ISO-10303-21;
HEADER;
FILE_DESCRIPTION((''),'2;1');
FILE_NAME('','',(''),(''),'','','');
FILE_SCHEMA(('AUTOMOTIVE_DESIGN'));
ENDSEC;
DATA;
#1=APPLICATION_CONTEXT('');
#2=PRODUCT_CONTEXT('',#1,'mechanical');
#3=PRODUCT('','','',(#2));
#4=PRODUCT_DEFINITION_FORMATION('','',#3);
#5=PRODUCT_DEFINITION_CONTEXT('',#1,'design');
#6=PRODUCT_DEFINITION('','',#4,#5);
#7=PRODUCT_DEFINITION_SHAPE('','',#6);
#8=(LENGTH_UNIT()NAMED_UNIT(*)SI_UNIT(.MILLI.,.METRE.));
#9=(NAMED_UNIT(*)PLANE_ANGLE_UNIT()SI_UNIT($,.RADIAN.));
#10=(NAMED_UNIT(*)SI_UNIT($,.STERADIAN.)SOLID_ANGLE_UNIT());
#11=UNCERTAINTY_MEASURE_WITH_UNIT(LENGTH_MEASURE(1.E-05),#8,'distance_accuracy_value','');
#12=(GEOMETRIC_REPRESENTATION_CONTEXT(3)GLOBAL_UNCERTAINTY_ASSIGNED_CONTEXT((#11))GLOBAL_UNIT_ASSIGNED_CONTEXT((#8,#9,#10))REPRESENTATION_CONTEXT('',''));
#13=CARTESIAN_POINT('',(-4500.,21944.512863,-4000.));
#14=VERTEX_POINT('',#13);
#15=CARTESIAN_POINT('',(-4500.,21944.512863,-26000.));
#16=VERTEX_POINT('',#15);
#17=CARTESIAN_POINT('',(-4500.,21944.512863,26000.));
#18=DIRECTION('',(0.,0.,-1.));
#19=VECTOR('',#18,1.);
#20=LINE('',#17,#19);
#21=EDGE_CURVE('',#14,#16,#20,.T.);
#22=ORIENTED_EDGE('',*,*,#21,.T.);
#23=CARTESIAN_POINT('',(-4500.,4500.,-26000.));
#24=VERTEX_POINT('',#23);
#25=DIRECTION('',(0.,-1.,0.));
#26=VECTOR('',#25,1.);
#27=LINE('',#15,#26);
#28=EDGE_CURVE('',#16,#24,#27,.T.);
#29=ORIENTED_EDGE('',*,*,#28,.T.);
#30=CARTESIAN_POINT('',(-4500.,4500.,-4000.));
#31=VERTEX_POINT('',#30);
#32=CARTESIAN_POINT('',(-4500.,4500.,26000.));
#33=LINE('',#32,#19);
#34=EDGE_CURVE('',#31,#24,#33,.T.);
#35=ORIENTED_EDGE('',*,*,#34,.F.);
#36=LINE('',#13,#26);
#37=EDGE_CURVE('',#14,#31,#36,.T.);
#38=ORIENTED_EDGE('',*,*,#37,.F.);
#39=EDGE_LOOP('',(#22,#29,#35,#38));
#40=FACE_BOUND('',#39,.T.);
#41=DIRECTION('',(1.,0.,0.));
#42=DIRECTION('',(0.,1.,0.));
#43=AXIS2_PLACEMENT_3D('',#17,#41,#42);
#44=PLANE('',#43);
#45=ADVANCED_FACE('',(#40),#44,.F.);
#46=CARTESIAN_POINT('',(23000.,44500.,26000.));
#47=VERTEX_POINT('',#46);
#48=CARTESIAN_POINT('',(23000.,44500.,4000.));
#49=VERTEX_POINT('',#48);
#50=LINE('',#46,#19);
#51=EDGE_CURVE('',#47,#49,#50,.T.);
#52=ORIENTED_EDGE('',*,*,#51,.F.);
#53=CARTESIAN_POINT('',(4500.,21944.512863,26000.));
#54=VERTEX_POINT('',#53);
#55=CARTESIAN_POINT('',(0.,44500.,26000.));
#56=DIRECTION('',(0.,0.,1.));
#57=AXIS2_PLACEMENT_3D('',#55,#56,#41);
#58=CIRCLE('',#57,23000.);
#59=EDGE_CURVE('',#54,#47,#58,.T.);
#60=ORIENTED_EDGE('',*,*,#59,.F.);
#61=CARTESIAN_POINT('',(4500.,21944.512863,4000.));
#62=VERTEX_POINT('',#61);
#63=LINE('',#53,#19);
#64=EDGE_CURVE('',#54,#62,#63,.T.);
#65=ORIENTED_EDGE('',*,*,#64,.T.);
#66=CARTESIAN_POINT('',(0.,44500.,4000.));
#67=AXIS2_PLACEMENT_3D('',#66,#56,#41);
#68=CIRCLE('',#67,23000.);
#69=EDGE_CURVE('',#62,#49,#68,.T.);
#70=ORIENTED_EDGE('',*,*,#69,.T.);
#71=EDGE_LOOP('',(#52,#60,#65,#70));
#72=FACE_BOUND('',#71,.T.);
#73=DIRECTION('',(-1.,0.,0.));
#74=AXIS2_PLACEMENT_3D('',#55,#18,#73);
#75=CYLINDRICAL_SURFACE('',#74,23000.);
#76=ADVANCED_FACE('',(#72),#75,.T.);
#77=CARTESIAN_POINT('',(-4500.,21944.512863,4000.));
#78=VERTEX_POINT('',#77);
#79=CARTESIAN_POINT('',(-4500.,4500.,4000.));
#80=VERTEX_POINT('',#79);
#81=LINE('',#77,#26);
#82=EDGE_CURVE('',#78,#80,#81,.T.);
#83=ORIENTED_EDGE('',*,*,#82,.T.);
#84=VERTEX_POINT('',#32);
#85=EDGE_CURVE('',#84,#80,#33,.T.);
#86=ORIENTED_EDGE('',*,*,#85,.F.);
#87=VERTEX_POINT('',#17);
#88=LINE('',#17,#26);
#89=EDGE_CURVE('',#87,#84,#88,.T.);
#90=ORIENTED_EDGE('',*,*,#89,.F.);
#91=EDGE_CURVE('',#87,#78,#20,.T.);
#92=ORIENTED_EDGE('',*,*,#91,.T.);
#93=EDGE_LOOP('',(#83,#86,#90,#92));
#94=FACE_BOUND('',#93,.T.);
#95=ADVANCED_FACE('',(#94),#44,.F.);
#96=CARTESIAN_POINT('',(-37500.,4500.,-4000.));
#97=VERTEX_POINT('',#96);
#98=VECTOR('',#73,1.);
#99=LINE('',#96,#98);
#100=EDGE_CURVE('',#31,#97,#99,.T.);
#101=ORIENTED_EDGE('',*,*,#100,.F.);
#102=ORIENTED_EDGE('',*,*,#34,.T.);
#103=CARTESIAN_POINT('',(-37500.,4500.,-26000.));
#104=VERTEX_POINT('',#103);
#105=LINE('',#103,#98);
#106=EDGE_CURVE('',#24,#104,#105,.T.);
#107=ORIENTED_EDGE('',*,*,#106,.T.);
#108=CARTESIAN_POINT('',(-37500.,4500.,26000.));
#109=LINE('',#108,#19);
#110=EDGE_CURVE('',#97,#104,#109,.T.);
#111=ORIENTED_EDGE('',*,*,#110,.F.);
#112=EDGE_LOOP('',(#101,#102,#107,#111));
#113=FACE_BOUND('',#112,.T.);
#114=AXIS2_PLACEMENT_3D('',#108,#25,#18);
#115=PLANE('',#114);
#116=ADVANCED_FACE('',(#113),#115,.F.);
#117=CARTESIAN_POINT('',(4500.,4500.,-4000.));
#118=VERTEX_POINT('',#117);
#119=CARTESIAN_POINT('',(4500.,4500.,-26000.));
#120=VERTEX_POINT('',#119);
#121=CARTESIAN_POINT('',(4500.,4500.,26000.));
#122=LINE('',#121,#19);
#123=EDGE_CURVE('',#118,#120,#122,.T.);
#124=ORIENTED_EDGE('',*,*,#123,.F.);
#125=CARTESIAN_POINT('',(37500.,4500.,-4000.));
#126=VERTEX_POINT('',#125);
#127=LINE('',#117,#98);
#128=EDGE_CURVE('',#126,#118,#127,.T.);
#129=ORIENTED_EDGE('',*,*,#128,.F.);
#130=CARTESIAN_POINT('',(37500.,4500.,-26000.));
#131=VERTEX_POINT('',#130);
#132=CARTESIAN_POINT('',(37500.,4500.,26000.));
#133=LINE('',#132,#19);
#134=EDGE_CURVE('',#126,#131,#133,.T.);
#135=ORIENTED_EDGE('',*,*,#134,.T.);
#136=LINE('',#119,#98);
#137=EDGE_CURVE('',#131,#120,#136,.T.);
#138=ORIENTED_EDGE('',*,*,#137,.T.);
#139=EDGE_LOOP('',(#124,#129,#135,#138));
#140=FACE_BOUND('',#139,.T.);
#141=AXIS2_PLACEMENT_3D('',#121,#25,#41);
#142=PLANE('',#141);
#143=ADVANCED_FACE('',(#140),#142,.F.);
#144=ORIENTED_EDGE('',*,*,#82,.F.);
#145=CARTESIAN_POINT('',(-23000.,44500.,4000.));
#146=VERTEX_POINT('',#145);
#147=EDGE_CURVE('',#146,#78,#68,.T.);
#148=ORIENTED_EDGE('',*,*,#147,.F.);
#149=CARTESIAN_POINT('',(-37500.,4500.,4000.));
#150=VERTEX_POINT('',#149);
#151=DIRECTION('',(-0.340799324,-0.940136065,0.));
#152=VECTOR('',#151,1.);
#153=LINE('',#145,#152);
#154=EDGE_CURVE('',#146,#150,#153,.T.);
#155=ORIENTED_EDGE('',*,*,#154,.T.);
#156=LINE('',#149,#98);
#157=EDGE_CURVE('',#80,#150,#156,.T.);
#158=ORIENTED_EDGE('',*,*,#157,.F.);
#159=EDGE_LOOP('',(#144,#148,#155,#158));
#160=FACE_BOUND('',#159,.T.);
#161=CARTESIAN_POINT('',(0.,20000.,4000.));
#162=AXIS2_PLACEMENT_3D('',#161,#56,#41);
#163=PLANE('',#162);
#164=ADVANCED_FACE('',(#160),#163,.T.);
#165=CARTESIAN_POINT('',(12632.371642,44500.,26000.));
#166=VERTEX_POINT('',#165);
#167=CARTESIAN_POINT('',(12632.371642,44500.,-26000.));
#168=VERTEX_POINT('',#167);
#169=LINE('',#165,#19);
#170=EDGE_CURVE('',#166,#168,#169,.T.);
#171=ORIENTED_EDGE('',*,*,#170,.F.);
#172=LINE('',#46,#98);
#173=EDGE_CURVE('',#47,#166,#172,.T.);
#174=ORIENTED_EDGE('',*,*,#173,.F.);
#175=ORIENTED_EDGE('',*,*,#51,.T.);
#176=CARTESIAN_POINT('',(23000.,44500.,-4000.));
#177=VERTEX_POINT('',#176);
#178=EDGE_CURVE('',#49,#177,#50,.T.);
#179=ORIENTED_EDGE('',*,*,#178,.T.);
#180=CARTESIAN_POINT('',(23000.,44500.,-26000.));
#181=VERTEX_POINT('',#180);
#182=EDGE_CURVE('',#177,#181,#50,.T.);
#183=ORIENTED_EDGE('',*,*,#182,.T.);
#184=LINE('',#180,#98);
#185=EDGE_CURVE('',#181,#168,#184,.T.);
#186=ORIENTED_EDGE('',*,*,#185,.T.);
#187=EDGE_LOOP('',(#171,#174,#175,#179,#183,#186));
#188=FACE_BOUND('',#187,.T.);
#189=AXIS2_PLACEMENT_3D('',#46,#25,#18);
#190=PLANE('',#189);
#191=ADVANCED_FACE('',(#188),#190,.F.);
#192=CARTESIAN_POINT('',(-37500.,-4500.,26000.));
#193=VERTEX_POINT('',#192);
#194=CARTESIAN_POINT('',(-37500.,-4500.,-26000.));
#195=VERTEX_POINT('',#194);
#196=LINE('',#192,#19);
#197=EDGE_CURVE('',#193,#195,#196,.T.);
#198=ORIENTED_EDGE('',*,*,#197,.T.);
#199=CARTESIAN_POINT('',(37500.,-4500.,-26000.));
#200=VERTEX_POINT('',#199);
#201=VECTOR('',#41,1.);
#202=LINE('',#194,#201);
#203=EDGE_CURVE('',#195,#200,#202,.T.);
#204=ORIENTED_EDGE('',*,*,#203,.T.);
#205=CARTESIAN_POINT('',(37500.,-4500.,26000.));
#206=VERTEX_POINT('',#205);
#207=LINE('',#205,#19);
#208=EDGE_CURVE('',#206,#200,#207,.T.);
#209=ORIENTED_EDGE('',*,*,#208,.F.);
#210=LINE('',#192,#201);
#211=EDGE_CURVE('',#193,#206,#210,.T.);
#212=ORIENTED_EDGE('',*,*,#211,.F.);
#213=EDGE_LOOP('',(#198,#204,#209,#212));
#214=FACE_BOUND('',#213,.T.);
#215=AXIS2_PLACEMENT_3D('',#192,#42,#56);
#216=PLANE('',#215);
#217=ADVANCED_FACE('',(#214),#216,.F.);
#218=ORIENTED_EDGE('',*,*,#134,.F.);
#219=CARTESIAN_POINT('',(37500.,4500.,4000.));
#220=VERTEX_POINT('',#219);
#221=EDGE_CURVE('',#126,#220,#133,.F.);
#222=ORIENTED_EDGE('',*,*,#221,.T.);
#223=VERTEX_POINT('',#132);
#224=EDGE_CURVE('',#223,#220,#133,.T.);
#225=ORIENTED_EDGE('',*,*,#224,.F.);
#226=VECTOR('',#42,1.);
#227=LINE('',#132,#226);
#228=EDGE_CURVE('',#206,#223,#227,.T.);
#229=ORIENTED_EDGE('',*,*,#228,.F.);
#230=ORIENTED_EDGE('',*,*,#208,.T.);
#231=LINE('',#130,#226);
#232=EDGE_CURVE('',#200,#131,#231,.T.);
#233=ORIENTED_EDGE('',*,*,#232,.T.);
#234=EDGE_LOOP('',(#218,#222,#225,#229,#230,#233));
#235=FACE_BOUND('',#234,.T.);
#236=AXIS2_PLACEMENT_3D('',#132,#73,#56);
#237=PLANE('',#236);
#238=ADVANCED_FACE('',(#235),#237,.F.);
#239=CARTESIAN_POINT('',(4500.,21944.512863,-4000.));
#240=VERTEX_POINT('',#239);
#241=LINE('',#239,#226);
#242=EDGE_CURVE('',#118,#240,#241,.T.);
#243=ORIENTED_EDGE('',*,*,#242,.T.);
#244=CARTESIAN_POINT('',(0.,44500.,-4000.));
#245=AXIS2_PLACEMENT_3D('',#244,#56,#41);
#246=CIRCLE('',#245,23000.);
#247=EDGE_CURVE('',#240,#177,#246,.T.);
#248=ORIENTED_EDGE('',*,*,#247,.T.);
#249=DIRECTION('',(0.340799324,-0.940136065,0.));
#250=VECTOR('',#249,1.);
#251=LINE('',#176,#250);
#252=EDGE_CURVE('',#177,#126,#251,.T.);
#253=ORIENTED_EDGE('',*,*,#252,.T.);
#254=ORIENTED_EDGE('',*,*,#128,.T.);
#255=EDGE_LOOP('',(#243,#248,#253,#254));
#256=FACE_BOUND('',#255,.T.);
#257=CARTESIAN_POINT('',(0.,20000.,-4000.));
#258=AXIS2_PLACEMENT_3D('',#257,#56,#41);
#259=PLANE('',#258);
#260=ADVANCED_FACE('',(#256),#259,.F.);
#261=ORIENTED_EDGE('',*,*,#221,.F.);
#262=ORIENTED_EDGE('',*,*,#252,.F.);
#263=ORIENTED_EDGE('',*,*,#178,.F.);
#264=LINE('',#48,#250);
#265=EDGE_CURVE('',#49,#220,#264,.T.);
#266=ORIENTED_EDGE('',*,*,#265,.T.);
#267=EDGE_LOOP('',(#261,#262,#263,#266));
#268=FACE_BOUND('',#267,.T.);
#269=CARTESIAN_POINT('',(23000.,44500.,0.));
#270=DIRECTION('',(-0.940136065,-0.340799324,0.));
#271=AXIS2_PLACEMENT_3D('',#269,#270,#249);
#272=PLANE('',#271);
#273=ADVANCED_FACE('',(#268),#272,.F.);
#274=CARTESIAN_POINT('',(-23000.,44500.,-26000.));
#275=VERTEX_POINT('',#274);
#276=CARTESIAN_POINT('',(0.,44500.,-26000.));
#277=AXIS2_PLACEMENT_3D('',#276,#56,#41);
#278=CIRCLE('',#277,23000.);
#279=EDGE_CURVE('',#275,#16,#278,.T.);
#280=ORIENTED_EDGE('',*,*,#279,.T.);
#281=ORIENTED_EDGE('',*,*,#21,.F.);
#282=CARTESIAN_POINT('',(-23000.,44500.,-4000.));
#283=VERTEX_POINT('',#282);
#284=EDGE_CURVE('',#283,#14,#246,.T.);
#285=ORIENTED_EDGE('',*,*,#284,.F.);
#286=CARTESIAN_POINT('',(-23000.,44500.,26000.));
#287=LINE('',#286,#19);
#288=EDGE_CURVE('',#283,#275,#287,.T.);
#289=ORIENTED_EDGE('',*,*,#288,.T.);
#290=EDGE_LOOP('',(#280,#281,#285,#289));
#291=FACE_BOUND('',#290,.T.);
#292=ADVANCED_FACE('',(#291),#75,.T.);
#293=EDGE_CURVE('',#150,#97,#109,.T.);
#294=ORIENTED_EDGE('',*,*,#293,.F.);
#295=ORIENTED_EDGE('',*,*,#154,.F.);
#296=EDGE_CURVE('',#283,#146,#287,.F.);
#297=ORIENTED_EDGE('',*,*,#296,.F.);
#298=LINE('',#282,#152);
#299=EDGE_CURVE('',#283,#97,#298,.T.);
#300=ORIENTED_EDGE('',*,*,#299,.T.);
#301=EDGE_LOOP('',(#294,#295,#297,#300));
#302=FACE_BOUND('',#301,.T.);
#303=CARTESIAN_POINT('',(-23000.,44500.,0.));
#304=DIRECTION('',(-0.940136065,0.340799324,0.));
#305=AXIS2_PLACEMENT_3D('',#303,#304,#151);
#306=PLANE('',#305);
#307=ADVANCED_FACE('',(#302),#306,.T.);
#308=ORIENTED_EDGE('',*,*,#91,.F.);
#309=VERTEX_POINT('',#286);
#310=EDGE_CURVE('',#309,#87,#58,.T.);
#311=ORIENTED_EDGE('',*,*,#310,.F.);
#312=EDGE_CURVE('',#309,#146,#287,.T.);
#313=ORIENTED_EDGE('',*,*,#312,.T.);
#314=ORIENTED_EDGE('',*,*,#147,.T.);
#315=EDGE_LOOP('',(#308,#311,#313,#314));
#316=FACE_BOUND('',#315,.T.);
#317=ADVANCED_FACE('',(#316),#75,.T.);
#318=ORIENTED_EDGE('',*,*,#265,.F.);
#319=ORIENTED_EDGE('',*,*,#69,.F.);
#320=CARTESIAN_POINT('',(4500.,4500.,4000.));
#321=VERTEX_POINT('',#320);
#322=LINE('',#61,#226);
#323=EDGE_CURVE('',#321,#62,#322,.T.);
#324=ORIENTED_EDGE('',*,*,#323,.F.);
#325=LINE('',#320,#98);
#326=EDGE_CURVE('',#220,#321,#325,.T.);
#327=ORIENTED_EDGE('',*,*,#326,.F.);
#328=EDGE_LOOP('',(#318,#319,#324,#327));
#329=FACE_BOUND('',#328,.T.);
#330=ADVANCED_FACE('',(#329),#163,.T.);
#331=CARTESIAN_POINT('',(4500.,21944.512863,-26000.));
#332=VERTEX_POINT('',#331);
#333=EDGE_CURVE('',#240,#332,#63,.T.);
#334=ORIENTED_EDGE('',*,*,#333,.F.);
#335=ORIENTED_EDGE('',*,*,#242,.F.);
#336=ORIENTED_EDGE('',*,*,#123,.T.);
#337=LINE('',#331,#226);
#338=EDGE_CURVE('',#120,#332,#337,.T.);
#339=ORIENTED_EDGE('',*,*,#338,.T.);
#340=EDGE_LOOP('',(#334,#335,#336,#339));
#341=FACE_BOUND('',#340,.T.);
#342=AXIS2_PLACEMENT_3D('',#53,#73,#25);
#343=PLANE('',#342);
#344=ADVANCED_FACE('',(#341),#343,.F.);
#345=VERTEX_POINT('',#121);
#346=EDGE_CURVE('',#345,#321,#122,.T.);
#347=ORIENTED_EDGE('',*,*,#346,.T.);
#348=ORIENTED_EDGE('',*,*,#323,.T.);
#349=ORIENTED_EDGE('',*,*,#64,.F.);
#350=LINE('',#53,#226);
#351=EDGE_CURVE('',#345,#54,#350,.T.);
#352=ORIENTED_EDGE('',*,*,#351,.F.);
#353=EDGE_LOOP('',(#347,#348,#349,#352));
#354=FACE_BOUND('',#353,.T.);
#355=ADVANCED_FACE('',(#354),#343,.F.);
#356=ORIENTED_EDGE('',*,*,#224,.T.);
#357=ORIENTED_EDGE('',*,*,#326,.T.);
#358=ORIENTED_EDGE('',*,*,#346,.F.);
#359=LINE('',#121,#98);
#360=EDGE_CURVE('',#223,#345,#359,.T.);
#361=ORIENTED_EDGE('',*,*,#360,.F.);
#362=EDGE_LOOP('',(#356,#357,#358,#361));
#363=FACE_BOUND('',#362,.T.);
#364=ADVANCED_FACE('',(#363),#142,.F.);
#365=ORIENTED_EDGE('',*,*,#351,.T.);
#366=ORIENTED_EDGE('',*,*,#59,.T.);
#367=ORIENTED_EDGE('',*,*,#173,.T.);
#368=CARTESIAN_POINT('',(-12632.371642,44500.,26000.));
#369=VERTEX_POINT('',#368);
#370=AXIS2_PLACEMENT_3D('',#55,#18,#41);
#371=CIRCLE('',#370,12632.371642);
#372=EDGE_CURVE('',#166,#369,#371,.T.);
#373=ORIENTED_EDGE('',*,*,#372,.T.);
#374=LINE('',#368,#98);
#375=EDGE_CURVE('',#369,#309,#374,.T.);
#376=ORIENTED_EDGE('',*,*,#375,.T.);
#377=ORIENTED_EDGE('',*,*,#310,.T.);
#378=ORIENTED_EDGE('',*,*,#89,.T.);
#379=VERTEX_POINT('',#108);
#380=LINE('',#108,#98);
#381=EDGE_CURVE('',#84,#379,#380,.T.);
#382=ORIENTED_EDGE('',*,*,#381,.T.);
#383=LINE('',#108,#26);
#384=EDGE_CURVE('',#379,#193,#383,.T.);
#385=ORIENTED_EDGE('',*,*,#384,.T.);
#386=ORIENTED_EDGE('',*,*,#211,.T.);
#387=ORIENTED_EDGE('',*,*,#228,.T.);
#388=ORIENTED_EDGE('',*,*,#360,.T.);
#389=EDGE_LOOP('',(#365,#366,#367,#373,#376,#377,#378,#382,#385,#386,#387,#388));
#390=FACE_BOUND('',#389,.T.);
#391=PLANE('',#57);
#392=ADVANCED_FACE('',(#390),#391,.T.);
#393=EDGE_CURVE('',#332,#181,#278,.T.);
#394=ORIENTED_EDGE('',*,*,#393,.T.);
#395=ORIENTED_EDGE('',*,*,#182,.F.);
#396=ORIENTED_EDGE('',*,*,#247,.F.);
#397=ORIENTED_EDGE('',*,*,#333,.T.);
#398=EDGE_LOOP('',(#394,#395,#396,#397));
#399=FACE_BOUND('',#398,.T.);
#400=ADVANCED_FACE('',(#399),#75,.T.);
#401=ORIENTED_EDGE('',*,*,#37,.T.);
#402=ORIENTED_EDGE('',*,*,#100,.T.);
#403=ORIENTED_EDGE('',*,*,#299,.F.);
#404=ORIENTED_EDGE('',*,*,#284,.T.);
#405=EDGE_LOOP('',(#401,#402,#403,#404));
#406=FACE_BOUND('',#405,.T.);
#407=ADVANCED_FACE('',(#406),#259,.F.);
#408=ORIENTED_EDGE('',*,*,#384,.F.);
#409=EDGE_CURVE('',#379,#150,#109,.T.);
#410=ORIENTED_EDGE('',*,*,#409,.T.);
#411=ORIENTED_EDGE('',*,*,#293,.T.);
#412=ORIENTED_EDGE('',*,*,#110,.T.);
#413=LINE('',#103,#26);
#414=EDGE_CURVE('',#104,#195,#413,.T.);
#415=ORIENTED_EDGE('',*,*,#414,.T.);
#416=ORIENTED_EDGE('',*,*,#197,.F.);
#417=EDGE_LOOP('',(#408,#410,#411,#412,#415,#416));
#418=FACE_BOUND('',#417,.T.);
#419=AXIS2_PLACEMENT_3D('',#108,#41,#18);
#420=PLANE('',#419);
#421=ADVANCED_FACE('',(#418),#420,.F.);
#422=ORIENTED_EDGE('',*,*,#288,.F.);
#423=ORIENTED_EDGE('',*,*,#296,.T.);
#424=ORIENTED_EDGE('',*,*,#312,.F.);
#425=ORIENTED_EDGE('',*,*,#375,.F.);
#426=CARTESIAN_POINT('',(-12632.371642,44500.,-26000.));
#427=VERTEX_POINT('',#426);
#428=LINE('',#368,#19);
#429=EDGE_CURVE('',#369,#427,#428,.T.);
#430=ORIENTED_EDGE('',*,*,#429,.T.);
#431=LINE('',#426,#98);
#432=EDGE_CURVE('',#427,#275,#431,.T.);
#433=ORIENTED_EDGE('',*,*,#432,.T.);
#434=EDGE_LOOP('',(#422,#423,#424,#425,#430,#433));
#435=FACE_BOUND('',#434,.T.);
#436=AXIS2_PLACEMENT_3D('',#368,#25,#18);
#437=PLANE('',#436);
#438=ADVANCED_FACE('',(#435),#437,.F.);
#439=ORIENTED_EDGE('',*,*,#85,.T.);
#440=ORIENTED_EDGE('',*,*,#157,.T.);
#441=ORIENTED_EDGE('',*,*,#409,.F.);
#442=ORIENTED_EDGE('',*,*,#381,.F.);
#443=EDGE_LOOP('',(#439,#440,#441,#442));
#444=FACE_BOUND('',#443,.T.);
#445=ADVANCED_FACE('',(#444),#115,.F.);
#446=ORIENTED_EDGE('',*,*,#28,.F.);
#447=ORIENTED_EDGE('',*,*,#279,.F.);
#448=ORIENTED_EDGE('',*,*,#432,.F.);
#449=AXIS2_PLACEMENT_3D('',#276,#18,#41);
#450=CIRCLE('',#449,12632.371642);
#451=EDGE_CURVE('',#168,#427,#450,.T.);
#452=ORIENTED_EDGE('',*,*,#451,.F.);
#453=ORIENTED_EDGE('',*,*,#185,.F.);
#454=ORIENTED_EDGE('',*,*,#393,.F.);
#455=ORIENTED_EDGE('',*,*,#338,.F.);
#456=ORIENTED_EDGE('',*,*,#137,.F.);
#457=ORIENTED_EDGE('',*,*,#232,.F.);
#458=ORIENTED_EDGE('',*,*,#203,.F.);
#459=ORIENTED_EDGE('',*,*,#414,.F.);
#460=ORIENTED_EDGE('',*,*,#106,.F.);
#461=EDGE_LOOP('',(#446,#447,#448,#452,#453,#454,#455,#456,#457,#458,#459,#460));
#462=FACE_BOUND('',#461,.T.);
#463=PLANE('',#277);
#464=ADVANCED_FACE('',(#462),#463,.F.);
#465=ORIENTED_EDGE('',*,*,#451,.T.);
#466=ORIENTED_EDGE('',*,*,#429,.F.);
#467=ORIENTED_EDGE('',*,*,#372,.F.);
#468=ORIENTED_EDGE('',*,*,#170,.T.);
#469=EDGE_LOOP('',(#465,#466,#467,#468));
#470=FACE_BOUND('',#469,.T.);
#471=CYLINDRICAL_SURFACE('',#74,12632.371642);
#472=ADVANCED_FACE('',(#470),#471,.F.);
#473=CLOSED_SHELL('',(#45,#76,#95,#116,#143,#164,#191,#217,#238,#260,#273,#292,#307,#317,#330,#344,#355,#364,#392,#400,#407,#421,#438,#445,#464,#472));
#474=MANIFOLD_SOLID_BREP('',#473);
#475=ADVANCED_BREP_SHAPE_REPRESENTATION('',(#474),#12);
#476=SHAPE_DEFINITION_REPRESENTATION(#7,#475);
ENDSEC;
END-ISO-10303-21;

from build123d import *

# Parameters (mm, degrees)
BOSS_EXTRUDE5_DEPTH = 26000
RIB7_REACH          = 63739.744
SKETCH14_WALL_W     = 170024.52063883
SKETCH14_WALL_H     = 8000


with BuildPart() as part:
    # Sketch11 → Boss-Extrude5 (new, symmetric)
    with BuildSketch(Plane.XY):
        with BuildLine():
            Line((23000, 44500), (12632.371641507, 44500))
            ThreePointArc((12632.371641507, 44500), (0, 31867.628358493), (-12632.371641507, 44500))
            Line((-12632.371641507, 44500), (-23000, 44500))
            ThreePointArc((-23000, 44500), (-17783.419243779, 29914.047854185), (-4500, 21944.51286272))
            Line((-4500, 21944.51286272), (-4500, 4500))
            Line((-4500, 4500), (-37500, 4500))
            Line((-37500, 4500), (-37500, -4500))
            Line((-37500, -4500), (37500, -4500))
            Line((37500, -4500), (37500, 4500))
            Line((37500, 4500), (4500, 4500))
            Line((4500, 4500), (4500, 21944.51286272))
            ThreePointArc((4500, 21944.51286272), (17783.419243779, 29914.047854185), (23000, 44500))
        make_face()
    extrude(amount=BOSS_EXTRUDE5_DEPTH, both=True)

    # Sketch14 wall → Rib7 (add, up to next)
    with BuildSketch(Plane(origin=(30250, 24500, 0), x_dir=(0.340799323621, -0.940136065162, 0), z_dir=(0.940136065162, 0.340799323621, 0)), mode=Mode.PRIVATE) as rib7_sk1:
        Rectangle(SKETCH14_WALL_W, SKETCH14_WALL_H)
    rib7_tool1 = extrude(rib7_sk1.sketch, amount=-RIB7_REACH, mode=Mode.PRIVATE) - part.part
    rib7 = rib7_tool1.solids().sort_by_distance((30250, 24500, 0))[0]
    add(rib7)

    # Mirror1: Rib7 across plane
    add(rib7.mirror(Plane(origin=(0, 0, 0), x_dir=(0, 0, 1), z_dir=(1, 0, 0))))


solid = part.part
